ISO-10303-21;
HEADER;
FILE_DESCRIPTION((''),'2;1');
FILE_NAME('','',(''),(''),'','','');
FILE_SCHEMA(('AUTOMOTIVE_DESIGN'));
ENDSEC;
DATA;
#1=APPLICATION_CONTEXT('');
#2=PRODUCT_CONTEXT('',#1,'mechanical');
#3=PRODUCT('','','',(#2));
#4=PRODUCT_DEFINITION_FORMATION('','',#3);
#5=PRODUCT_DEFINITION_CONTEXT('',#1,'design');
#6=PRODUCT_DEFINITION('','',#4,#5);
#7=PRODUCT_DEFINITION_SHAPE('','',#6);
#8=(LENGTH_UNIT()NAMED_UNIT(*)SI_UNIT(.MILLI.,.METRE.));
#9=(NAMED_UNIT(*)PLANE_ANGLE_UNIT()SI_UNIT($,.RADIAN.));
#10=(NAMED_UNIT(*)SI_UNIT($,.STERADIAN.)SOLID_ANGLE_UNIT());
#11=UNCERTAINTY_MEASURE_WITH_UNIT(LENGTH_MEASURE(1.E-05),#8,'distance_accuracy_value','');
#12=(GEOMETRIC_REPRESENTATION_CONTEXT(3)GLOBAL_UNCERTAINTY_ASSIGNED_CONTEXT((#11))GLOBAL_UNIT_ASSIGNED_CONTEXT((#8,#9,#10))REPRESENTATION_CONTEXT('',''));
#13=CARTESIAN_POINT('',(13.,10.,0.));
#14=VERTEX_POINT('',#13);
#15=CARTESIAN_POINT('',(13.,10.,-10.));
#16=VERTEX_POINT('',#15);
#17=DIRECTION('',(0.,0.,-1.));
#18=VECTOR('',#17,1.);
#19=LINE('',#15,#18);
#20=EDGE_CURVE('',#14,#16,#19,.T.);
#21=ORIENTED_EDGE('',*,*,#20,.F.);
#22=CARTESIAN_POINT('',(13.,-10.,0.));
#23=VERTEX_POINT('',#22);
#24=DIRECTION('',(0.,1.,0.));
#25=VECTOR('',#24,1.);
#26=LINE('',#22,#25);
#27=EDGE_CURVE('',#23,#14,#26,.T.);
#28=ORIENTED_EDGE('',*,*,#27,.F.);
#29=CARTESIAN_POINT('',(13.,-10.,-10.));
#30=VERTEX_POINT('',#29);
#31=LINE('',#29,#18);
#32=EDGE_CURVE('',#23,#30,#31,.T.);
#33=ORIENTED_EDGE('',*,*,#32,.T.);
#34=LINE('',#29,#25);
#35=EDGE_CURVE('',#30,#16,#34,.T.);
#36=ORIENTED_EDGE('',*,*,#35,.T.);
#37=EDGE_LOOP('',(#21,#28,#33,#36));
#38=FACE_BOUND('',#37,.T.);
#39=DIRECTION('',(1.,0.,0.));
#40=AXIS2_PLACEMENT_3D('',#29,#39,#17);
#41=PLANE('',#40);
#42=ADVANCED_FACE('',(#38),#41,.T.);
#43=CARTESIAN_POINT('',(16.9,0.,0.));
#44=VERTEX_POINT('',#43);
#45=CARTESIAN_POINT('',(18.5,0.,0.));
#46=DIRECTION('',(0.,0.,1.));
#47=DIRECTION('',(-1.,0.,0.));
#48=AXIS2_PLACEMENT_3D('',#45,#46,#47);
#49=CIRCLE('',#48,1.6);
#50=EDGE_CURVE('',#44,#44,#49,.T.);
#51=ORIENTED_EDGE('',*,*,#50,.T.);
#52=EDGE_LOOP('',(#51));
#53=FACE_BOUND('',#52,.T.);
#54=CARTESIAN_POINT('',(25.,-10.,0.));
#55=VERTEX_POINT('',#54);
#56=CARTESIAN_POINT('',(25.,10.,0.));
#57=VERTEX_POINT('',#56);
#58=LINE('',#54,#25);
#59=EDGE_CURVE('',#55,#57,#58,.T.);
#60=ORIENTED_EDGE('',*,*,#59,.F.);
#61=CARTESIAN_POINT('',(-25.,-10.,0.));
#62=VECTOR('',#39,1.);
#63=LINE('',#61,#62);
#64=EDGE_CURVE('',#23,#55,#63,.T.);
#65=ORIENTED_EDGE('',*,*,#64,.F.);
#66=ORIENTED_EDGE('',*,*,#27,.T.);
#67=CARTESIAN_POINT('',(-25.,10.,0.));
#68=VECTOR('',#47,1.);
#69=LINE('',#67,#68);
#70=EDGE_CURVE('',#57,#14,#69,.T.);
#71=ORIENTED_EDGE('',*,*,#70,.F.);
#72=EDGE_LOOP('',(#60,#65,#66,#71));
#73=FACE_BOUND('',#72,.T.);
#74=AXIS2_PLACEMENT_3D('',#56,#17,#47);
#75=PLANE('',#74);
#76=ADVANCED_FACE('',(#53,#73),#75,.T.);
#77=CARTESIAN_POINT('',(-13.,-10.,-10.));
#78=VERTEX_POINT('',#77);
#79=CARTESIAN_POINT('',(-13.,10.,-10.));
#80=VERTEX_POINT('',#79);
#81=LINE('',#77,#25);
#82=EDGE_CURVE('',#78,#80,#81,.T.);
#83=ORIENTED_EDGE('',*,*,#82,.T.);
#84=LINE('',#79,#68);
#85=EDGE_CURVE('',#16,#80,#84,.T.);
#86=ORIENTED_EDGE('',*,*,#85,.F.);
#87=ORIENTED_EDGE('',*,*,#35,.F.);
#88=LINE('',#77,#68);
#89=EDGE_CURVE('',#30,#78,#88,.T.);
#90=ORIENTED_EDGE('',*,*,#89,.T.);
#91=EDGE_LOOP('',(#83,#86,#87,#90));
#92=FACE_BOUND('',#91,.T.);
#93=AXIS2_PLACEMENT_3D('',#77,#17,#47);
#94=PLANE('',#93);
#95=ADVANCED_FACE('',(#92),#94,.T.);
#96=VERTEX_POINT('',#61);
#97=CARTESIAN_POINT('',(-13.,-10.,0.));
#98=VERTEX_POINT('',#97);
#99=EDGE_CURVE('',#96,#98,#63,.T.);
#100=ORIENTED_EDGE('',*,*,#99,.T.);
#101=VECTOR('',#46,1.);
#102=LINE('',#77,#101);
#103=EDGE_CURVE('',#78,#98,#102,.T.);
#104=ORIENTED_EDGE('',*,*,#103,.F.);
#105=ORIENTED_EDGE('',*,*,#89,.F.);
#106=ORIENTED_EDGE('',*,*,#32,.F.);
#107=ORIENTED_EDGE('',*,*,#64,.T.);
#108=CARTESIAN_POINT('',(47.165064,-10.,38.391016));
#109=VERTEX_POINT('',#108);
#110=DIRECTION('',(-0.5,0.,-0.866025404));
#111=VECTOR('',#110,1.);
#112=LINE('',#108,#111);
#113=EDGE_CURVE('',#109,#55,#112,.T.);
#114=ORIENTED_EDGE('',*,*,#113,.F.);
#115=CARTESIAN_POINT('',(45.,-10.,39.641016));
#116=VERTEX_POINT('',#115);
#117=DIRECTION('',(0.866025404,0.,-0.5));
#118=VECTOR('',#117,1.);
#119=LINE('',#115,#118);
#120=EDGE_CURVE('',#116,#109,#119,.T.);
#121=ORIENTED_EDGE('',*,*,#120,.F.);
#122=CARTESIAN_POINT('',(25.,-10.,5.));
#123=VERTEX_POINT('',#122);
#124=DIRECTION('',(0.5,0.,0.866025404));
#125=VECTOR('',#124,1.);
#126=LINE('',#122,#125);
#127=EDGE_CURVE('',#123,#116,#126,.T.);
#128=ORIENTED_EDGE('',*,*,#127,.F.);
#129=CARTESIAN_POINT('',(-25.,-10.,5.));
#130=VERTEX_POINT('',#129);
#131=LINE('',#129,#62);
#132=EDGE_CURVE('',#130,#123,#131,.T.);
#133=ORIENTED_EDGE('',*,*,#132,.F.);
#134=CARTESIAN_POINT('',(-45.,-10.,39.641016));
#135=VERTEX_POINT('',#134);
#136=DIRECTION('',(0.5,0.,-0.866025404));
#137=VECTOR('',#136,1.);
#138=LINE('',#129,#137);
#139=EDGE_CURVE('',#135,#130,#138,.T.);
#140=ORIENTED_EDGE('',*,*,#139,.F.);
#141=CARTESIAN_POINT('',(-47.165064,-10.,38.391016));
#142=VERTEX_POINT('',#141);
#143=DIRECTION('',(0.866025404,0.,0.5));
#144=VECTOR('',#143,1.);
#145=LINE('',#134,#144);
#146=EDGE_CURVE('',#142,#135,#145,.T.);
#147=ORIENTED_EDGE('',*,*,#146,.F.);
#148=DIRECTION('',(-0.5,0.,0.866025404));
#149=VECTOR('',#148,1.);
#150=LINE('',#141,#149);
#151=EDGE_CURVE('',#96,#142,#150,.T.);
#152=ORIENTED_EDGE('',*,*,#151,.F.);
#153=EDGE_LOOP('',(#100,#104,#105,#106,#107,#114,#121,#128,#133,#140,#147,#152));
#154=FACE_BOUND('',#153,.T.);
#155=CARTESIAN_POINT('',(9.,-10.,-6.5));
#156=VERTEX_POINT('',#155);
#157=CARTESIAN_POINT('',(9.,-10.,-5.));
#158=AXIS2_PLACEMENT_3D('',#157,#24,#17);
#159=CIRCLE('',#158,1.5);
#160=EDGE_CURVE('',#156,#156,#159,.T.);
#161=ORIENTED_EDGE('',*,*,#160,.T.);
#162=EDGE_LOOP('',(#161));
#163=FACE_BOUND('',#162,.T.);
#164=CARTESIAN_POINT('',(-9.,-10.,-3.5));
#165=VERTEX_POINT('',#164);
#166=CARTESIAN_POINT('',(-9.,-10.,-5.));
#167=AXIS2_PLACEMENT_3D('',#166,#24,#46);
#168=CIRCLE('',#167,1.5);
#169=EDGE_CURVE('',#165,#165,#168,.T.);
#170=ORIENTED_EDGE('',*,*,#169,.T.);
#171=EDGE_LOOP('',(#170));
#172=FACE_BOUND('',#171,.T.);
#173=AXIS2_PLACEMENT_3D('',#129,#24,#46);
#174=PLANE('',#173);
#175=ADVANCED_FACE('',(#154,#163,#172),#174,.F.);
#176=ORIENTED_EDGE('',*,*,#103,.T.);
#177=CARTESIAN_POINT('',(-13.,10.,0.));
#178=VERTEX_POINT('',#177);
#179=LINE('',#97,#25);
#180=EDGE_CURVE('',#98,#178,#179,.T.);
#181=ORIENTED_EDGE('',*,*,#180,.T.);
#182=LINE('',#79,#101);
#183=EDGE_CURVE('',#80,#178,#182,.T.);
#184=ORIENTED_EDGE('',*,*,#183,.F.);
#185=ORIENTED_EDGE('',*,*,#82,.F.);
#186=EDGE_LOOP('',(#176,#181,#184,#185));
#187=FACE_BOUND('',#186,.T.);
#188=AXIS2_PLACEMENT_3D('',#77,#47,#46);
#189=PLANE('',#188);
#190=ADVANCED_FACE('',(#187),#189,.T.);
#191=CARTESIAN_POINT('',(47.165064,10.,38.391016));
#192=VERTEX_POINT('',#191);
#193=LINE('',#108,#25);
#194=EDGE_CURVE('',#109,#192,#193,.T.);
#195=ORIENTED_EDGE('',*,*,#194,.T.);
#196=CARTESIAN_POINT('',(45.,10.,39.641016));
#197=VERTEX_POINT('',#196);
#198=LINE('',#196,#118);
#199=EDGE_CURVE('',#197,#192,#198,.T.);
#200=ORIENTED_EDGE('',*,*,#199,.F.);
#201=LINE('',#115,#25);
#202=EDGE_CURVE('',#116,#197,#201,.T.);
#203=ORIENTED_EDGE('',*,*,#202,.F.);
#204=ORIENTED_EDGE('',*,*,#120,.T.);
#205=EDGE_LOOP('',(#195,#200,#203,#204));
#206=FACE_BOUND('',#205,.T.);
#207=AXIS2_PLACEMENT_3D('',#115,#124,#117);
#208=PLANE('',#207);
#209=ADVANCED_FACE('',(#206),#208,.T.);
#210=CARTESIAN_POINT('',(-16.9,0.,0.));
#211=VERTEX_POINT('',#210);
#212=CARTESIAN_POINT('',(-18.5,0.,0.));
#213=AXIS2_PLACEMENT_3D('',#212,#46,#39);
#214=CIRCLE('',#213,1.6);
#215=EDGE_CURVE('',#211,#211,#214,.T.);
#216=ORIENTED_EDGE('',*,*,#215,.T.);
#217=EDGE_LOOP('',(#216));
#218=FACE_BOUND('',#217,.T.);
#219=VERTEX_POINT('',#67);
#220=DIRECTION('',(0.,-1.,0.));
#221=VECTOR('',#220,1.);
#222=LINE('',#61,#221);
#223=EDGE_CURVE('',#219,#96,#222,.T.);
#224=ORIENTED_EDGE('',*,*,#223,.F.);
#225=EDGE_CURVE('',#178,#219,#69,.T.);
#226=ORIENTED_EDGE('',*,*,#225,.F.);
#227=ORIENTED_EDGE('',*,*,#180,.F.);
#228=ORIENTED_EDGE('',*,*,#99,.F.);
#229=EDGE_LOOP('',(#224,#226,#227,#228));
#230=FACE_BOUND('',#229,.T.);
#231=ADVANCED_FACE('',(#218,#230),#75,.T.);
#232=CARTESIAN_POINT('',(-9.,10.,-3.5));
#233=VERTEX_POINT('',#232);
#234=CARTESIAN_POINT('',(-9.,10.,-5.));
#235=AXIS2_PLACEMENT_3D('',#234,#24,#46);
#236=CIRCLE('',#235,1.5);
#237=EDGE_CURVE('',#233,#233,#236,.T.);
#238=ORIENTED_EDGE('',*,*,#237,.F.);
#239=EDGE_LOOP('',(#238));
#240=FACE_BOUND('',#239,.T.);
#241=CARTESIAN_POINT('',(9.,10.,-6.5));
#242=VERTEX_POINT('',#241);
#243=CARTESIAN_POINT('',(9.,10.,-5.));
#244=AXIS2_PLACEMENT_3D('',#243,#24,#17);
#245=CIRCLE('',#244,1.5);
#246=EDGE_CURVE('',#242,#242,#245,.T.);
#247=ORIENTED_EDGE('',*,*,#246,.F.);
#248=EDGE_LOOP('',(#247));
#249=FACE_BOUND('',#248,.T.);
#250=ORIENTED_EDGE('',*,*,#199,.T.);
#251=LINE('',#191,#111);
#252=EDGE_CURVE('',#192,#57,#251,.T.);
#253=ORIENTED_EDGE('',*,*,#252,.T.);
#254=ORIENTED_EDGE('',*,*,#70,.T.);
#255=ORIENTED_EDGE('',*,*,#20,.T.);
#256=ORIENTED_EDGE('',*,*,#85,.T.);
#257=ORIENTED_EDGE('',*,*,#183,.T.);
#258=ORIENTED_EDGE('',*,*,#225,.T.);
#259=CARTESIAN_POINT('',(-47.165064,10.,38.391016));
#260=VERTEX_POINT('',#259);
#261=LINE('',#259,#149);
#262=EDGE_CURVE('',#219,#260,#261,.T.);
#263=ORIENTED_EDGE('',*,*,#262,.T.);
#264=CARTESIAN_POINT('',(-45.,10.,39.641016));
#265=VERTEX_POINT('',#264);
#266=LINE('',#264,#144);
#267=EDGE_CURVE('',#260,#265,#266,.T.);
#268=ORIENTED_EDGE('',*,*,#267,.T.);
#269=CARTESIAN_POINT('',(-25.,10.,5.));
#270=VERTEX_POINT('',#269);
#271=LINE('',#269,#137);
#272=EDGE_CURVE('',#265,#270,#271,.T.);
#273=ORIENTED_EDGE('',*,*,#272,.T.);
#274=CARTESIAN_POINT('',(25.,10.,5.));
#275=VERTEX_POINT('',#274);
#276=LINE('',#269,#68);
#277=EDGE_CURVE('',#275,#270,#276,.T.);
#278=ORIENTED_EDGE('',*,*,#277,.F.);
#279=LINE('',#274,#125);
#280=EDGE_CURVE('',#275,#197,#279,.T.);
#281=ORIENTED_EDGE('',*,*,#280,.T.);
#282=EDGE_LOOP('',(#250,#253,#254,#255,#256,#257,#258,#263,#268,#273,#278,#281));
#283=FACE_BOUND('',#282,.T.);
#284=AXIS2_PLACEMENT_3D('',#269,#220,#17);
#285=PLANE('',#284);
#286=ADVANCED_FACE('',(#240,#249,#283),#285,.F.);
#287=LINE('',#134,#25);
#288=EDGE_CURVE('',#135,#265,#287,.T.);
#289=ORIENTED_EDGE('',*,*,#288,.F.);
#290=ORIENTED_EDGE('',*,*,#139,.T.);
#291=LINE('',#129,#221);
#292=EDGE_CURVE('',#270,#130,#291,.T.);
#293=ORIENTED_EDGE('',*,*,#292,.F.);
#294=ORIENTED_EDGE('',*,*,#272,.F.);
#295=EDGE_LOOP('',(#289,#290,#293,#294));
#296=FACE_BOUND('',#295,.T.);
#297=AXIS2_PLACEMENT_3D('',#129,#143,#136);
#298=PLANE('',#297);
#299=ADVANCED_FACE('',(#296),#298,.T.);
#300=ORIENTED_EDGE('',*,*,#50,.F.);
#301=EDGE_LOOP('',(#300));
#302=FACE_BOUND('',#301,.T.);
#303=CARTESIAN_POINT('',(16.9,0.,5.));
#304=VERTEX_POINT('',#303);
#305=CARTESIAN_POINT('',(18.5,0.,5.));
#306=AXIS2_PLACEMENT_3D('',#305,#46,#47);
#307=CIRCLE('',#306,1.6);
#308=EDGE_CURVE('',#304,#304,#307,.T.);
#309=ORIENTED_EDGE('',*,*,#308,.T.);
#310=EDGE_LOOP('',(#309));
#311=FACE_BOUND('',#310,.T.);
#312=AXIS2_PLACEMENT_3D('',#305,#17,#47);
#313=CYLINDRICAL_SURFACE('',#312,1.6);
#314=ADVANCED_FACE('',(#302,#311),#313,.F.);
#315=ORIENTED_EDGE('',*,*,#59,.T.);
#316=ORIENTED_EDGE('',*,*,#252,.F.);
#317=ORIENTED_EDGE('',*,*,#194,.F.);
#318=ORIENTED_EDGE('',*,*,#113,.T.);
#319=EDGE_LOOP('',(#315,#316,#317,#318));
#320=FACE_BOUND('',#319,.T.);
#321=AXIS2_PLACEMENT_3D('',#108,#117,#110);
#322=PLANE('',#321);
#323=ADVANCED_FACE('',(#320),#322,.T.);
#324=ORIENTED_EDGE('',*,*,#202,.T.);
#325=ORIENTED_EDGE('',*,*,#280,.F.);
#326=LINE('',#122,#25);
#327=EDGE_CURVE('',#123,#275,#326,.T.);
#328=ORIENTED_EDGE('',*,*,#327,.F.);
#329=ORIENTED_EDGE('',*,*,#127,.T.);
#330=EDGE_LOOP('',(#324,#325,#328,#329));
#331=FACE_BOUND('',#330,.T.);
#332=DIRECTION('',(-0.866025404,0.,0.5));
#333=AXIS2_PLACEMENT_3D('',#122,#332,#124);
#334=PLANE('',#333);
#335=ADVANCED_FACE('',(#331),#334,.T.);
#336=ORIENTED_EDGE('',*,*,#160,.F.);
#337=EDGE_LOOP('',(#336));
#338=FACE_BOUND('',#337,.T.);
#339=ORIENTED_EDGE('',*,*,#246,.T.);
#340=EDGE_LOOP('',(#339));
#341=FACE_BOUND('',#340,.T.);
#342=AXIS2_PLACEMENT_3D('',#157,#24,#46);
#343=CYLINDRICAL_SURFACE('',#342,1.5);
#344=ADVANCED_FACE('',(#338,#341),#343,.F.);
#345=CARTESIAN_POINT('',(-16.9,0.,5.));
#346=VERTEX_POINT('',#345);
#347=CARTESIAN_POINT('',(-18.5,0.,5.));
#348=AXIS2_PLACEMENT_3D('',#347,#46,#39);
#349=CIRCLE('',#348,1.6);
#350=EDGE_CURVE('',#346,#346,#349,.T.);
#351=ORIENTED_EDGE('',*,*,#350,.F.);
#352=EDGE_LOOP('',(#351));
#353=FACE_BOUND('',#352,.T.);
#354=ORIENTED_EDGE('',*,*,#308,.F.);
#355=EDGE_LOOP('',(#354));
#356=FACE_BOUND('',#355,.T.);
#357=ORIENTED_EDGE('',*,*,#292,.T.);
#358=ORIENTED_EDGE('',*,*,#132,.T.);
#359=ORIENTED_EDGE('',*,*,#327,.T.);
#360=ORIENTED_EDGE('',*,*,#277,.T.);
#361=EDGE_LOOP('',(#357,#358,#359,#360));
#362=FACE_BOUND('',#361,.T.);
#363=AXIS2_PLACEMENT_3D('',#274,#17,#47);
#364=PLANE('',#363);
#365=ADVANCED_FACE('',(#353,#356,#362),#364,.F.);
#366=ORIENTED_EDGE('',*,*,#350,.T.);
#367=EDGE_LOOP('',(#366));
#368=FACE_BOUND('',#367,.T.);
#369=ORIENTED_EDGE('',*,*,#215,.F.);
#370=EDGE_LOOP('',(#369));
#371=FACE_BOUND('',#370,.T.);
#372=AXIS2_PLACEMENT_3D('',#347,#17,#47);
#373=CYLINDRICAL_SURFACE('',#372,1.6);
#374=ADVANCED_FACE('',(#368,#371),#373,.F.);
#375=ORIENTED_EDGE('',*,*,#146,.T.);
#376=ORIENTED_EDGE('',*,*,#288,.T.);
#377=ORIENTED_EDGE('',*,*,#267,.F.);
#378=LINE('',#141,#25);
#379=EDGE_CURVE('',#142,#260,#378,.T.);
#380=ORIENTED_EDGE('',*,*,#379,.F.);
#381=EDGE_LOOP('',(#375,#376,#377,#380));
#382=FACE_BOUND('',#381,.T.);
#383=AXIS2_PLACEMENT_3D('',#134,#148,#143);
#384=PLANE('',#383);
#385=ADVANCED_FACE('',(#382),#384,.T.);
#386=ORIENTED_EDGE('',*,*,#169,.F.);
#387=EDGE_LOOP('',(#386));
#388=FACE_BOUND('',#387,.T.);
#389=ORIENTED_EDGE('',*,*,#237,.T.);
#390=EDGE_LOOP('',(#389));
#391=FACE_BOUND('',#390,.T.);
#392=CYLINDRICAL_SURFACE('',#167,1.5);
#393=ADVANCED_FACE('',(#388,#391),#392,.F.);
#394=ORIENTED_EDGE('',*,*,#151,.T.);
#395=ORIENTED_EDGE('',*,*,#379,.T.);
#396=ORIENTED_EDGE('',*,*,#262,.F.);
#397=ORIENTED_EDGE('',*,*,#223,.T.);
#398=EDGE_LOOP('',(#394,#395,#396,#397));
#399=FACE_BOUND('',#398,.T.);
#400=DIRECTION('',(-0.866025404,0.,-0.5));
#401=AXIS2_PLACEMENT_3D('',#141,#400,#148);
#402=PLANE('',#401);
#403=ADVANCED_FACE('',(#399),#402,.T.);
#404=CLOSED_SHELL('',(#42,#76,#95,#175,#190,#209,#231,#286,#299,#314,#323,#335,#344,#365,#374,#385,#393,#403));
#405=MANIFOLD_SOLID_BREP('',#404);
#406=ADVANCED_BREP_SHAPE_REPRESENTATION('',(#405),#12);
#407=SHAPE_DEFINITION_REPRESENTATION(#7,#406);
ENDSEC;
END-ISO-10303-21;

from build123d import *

# Parameters (mm, degrees)
ESQUISSE1_W        = 50
ESQUISSE1_H        = 20
ESQUISSE1_R        = 1.6
BOSS_EXTRU_1_DEPTH = 5
ESQUISSE2_W        = 26
ESQUISSE2_H        = 10
ESQUISSE2_R        = 1.5
BOSS_EXTRU_2_DEPTH = 20


with BuildPart() as part:
    # Esquisse1 → Boss.-Extru.1 (new body)
    with BuildSketch(Plane.XY):
        Rectangle(ESQUISSE1_W, ESQUISSE1_H)
        with Locations((-18.5, 0)):
            Circle(ESQUISSE1_R, mode=Mode.SUBTRACT)
        with Locations((18.5, 0)):
            Circle(ESQUISSE1_R, mode=Mode.SUBTRACT)
    extrude(amount=BOSS_EXTRU_1_DEPTH)

    # Esquisse2 → Boss.-Extru.2 (add)
    with BuildSketch(Plane(origin=(0, 10, 0), x_dir=(1, 0, 0), z_dir=(0, 1, 0))):
        Polygon((25, 0), (25, -5), (45, -39.641016151), (47.165063509, -38.391016151), align=None)
        Polygon((-45, -39.641016151), (-47.165063509, -38.391016151), (-25, 0), (-25, -5), align=None)
        with Locations((0, 5)):
            Rectangle(ESQUISSE2_W, ESQUISSE2_H)
        with Locations((-9, 5)):
            Circle(ESQUISSE2_R, mode=Mode.SUBTRACT)
        with Locations((9, 5)):
            Circle(ESQUISSE2_R, mode=Mode.SUBTRACT)
    extrude(amount=-BOSS_EXTRU_2_DEPTH)


solid = part.part
